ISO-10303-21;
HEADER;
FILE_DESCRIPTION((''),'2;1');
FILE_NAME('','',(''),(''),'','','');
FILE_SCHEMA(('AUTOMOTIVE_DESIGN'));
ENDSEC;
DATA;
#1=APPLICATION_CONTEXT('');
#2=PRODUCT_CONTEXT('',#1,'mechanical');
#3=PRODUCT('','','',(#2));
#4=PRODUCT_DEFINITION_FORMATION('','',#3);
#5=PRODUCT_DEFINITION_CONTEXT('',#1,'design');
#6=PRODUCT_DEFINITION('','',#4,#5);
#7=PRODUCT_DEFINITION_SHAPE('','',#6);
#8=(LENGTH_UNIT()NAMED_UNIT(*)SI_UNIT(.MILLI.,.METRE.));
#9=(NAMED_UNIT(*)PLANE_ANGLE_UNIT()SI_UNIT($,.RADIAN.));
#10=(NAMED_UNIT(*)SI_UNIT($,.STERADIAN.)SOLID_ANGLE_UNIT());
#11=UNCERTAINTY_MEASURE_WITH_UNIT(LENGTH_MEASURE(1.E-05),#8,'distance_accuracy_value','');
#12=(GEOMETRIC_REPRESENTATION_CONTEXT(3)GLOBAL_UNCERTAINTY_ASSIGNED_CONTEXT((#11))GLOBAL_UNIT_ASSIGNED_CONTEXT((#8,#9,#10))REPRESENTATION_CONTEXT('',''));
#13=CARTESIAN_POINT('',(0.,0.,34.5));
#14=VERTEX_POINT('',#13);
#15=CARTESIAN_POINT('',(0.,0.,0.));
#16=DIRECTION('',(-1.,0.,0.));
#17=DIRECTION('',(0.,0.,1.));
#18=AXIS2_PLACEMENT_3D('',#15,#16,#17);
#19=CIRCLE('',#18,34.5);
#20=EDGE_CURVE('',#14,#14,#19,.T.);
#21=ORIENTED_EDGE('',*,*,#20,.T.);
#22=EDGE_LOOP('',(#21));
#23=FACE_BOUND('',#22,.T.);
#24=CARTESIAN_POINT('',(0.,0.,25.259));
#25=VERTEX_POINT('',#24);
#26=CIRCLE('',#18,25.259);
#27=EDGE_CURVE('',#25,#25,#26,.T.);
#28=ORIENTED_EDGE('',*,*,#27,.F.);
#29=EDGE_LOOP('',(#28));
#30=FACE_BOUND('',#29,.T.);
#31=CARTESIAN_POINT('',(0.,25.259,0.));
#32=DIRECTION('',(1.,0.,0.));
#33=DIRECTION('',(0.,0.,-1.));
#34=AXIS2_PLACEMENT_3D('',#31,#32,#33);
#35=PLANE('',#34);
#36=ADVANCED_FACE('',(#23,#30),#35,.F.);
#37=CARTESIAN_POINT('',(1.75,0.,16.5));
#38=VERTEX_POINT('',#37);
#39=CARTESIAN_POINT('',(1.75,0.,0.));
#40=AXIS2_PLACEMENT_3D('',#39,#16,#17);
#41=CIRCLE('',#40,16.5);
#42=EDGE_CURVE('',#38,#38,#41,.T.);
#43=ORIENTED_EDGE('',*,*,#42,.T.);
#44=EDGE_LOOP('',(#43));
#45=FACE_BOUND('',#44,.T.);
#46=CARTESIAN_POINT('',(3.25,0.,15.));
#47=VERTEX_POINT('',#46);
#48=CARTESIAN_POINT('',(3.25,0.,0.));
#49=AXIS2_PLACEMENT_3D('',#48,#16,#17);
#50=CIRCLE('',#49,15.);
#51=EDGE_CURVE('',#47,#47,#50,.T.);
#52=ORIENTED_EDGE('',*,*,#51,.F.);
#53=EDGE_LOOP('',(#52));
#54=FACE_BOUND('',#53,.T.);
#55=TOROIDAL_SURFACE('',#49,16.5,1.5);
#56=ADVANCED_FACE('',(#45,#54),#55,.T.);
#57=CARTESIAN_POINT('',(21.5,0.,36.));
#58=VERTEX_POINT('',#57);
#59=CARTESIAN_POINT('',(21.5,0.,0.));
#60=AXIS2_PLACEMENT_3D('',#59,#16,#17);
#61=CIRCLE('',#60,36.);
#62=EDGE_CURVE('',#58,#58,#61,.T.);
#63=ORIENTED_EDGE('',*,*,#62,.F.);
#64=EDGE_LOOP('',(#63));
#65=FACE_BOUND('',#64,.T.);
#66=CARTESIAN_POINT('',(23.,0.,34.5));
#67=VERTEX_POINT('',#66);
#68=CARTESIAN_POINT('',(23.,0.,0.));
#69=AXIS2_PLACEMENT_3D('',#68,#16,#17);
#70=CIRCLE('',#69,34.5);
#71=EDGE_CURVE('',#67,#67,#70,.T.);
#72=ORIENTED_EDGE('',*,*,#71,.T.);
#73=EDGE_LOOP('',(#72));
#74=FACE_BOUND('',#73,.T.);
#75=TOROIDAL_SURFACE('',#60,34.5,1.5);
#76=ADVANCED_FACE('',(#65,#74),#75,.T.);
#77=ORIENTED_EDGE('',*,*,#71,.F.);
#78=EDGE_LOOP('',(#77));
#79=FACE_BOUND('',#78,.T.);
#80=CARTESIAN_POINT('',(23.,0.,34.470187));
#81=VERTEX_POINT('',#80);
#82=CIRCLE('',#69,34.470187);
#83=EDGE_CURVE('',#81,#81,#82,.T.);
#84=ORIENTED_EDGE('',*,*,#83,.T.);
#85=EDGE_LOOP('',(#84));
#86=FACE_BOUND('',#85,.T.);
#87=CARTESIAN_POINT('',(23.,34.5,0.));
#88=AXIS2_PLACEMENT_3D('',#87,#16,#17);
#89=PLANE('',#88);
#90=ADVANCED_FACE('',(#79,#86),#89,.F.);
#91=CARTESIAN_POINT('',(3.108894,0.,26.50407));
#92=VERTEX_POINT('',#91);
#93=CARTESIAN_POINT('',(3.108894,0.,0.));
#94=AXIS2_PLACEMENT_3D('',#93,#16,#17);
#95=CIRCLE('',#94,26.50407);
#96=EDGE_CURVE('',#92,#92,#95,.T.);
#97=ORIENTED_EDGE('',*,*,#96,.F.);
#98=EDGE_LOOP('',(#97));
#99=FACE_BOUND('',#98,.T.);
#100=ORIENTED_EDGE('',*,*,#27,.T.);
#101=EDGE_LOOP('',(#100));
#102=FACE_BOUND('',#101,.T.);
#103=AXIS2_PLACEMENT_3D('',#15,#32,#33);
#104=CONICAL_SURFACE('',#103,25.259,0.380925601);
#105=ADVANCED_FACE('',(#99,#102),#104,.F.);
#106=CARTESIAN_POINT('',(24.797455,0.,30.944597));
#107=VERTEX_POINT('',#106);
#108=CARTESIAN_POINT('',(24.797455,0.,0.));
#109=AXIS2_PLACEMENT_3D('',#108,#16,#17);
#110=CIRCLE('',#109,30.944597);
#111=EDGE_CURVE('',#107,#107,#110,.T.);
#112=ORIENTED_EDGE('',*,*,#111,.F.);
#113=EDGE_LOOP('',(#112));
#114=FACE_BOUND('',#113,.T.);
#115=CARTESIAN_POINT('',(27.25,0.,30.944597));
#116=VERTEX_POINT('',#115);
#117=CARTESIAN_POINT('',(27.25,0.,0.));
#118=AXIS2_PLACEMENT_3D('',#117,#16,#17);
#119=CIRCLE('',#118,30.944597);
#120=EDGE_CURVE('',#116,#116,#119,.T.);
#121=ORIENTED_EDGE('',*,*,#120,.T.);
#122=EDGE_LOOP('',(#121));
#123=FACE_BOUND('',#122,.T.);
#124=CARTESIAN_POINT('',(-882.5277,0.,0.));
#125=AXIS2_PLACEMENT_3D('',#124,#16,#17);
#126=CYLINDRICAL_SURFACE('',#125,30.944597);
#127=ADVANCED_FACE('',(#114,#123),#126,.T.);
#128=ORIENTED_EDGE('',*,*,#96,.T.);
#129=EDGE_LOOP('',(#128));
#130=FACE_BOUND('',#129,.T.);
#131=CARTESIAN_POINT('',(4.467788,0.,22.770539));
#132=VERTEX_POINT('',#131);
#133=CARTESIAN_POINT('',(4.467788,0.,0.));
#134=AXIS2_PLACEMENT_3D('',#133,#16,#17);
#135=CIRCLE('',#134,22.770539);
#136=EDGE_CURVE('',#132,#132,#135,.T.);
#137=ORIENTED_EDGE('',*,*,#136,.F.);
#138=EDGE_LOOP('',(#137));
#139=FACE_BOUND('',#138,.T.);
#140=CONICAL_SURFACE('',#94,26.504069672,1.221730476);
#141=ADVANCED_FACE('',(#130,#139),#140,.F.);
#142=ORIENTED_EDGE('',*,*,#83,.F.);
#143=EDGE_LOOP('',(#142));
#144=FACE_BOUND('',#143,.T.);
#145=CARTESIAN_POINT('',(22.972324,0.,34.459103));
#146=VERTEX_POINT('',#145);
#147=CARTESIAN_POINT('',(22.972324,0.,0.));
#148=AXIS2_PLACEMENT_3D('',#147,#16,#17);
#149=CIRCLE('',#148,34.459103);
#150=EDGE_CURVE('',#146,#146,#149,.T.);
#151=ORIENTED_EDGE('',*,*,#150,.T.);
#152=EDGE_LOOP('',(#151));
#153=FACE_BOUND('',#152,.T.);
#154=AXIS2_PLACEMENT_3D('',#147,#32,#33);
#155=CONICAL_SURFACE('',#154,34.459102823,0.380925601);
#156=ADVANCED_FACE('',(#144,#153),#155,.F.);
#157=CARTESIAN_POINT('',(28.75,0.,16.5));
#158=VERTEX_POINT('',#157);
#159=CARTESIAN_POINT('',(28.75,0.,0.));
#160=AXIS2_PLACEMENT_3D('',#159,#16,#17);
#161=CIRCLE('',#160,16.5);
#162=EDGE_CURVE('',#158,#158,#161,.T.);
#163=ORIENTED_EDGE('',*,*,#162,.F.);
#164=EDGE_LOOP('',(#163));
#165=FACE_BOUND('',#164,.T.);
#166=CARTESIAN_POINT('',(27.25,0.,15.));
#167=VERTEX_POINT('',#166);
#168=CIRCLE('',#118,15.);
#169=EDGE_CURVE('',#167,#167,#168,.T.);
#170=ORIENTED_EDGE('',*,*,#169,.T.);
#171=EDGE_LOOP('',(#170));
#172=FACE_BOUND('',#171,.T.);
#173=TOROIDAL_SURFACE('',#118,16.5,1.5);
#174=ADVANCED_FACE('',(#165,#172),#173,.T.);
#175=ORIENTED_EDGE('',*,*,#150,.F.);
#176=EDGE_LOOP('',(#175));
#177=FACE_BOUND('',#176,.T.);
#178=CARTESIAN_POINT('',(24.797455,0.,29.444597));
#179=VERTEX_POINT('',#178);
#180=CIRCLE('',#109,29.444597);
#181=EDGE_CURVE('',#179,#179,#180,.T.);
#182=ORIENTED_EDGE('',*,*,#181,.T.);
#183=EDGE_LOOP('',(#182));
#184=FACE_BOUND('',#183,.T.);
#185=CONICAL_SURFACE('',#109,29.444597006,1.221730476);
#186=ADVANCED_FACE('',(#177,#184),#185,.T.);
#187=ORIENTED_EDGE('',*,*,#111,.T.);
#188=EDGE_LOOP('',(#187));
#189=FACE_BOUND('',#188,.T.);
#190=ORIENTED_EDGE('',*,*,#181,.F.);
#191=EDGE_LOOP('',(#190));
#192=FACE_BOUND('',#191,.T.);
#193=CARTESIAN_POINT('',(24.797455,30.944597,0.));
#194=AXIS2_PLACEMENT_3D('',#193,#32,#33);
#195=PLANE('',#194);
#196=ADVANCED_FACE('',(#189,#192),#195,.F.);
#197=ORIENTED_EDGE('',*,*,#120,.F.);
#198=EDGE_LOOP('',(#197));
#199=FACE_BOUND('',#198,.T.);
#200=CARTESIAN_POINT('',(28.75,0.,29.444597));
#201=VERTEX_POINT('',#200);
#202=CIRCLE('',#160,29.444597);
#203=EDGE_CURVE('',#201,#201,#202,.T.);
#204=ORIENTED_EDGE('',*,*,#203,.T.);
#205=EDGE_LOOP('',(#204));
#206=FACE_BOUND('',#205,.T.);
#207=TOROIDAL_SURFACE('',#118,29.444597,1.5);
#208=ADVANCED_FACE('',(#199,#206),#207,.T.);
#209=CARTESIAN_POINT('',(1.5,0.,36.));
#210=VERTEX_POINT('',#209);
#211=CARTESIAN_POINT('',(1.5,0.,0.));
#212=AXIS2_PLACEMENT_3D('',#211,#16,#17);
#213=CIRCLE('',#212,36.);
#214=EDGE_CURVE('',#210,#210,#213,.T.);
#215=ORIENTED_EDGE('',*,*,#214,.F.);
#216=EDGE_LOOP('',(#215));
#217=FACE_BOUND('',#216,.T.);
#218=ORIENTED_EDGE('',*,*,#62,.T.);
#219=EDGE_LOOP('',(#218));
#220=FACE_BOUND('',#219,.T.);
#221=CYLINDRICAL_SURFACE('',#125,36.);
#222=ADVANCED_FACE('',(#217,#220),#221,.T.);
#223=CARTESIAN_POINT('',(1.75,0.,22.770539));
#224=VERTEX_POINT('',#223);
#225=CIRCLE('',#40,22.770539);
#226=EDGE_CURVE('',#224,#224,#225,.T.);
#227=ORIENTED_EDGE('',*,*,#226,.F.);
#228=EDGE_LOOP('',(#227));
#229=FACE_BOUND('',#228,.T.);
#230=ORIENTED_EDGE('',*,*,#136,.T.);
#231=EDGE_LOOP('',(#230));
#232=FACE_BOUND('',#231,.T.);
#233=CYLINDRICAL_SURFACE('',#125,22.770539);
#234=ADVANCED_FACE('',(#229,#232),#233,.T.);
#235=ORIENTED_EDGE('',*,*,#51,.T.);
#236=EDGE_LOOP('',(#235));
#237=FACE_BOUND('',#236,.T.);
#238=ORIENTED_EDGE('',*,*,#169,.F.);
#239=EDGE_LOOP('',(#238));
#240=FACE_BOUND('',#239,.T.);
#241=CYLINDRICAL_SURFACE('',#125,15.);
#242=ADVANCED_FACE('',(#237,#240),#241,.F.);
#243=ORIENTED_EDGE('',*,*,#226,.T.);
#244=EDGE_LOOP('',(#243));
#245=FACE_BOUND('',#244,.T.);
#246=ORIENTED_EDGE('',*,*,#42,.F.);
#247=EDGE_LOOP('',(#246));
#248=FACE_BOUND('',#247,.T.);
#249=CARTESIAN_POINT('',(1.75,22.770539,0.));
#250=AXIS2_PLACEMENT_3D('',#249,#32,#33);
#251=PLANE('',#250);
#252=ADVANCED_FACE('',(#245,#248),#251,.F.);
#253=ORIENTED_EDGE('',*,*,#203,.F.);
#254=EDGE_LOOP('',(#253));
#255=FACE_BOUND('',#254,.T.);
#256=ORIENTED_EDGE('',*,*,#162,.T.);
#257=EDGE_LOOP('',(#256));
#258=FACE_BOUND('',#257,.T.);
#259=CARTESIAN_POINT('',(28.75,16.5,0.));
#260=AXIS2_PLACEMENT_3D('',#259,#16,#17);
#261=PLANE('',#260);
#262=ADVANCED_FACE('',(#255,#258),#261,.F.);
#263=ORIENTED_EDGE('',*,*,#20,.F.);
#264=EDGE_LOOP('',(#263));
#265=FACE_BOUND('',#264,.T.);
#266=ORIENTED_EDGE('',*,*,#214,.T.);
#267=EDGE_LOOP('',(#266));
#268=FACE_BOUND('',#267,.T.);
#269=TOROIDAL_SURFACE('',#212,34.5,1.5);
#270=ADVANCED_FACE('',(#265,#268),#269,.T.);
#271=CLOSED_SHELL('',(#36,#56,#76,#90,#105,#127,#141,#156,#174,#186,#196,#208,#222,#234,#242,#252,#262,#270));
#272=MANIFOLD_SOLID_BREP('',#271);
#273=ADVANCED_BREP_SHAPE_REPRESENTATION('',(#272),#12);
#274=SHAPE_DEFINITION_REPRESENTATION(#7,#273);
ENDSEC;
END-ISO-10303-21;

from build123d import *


with BuildPart() as part:
    # Эскиз1 → Повернуть1 (revolve)
    with BuildSketch(Plane.XY):
        with BuildLine():
            Line((3.108893906, 26.504069672), (0, 25.259))
            Line((0, 25.259), (0, 34.5))
            ThreePointArc((0, 34.5), (0.439339828, 35.560660172), (1.5, 36))
            Line((1.5, 36), (21.5, 36))
            ThreePointArc((21.5, 36), (22.560660172, 35.560660172), (23, 34.5))
            Line((23, 34.5), (23, 34.470186779))
            Line((23, 34.470186779), (22.972323763, 34.459102823))
            Line((22.972323763, 34.459102823), (24.79745462, 29.444597006))
            Line((24.79745462, 29.444597006), (24.79745462, 30.944597006))
            Line((24.79745462, 30.944597006), (27.25, 30.944597006))
            ThreePointArc((27.25, 30.944597006), (28.310660172, 30.505257178), (28.75, 29.444597006))
            Line((28.75, 29.444597006), (28.75, 16.5))
            ThreePointArc((28.75, 16.5), (28.310660172, 15.439339828), (27.25, 15))
            Line((27.25, 15), (3.25, 15))
            ThreePointArc((3.25, 15), (2.189339828, 15.439339828), (1.75, 16.5))
            Line((1.75, 16.5), (1.75, 22.770539349))
            Line((1.75, 22.770539349), (4.467787812, 22.770539349))
            Line((4.467787812, 22.770539349), (3.108893906, 26.504069672))
        make_face()
    revolve(axis=Axis((-882.527700014, 0, 0), (1, 0, 0)))


solid = part.part
